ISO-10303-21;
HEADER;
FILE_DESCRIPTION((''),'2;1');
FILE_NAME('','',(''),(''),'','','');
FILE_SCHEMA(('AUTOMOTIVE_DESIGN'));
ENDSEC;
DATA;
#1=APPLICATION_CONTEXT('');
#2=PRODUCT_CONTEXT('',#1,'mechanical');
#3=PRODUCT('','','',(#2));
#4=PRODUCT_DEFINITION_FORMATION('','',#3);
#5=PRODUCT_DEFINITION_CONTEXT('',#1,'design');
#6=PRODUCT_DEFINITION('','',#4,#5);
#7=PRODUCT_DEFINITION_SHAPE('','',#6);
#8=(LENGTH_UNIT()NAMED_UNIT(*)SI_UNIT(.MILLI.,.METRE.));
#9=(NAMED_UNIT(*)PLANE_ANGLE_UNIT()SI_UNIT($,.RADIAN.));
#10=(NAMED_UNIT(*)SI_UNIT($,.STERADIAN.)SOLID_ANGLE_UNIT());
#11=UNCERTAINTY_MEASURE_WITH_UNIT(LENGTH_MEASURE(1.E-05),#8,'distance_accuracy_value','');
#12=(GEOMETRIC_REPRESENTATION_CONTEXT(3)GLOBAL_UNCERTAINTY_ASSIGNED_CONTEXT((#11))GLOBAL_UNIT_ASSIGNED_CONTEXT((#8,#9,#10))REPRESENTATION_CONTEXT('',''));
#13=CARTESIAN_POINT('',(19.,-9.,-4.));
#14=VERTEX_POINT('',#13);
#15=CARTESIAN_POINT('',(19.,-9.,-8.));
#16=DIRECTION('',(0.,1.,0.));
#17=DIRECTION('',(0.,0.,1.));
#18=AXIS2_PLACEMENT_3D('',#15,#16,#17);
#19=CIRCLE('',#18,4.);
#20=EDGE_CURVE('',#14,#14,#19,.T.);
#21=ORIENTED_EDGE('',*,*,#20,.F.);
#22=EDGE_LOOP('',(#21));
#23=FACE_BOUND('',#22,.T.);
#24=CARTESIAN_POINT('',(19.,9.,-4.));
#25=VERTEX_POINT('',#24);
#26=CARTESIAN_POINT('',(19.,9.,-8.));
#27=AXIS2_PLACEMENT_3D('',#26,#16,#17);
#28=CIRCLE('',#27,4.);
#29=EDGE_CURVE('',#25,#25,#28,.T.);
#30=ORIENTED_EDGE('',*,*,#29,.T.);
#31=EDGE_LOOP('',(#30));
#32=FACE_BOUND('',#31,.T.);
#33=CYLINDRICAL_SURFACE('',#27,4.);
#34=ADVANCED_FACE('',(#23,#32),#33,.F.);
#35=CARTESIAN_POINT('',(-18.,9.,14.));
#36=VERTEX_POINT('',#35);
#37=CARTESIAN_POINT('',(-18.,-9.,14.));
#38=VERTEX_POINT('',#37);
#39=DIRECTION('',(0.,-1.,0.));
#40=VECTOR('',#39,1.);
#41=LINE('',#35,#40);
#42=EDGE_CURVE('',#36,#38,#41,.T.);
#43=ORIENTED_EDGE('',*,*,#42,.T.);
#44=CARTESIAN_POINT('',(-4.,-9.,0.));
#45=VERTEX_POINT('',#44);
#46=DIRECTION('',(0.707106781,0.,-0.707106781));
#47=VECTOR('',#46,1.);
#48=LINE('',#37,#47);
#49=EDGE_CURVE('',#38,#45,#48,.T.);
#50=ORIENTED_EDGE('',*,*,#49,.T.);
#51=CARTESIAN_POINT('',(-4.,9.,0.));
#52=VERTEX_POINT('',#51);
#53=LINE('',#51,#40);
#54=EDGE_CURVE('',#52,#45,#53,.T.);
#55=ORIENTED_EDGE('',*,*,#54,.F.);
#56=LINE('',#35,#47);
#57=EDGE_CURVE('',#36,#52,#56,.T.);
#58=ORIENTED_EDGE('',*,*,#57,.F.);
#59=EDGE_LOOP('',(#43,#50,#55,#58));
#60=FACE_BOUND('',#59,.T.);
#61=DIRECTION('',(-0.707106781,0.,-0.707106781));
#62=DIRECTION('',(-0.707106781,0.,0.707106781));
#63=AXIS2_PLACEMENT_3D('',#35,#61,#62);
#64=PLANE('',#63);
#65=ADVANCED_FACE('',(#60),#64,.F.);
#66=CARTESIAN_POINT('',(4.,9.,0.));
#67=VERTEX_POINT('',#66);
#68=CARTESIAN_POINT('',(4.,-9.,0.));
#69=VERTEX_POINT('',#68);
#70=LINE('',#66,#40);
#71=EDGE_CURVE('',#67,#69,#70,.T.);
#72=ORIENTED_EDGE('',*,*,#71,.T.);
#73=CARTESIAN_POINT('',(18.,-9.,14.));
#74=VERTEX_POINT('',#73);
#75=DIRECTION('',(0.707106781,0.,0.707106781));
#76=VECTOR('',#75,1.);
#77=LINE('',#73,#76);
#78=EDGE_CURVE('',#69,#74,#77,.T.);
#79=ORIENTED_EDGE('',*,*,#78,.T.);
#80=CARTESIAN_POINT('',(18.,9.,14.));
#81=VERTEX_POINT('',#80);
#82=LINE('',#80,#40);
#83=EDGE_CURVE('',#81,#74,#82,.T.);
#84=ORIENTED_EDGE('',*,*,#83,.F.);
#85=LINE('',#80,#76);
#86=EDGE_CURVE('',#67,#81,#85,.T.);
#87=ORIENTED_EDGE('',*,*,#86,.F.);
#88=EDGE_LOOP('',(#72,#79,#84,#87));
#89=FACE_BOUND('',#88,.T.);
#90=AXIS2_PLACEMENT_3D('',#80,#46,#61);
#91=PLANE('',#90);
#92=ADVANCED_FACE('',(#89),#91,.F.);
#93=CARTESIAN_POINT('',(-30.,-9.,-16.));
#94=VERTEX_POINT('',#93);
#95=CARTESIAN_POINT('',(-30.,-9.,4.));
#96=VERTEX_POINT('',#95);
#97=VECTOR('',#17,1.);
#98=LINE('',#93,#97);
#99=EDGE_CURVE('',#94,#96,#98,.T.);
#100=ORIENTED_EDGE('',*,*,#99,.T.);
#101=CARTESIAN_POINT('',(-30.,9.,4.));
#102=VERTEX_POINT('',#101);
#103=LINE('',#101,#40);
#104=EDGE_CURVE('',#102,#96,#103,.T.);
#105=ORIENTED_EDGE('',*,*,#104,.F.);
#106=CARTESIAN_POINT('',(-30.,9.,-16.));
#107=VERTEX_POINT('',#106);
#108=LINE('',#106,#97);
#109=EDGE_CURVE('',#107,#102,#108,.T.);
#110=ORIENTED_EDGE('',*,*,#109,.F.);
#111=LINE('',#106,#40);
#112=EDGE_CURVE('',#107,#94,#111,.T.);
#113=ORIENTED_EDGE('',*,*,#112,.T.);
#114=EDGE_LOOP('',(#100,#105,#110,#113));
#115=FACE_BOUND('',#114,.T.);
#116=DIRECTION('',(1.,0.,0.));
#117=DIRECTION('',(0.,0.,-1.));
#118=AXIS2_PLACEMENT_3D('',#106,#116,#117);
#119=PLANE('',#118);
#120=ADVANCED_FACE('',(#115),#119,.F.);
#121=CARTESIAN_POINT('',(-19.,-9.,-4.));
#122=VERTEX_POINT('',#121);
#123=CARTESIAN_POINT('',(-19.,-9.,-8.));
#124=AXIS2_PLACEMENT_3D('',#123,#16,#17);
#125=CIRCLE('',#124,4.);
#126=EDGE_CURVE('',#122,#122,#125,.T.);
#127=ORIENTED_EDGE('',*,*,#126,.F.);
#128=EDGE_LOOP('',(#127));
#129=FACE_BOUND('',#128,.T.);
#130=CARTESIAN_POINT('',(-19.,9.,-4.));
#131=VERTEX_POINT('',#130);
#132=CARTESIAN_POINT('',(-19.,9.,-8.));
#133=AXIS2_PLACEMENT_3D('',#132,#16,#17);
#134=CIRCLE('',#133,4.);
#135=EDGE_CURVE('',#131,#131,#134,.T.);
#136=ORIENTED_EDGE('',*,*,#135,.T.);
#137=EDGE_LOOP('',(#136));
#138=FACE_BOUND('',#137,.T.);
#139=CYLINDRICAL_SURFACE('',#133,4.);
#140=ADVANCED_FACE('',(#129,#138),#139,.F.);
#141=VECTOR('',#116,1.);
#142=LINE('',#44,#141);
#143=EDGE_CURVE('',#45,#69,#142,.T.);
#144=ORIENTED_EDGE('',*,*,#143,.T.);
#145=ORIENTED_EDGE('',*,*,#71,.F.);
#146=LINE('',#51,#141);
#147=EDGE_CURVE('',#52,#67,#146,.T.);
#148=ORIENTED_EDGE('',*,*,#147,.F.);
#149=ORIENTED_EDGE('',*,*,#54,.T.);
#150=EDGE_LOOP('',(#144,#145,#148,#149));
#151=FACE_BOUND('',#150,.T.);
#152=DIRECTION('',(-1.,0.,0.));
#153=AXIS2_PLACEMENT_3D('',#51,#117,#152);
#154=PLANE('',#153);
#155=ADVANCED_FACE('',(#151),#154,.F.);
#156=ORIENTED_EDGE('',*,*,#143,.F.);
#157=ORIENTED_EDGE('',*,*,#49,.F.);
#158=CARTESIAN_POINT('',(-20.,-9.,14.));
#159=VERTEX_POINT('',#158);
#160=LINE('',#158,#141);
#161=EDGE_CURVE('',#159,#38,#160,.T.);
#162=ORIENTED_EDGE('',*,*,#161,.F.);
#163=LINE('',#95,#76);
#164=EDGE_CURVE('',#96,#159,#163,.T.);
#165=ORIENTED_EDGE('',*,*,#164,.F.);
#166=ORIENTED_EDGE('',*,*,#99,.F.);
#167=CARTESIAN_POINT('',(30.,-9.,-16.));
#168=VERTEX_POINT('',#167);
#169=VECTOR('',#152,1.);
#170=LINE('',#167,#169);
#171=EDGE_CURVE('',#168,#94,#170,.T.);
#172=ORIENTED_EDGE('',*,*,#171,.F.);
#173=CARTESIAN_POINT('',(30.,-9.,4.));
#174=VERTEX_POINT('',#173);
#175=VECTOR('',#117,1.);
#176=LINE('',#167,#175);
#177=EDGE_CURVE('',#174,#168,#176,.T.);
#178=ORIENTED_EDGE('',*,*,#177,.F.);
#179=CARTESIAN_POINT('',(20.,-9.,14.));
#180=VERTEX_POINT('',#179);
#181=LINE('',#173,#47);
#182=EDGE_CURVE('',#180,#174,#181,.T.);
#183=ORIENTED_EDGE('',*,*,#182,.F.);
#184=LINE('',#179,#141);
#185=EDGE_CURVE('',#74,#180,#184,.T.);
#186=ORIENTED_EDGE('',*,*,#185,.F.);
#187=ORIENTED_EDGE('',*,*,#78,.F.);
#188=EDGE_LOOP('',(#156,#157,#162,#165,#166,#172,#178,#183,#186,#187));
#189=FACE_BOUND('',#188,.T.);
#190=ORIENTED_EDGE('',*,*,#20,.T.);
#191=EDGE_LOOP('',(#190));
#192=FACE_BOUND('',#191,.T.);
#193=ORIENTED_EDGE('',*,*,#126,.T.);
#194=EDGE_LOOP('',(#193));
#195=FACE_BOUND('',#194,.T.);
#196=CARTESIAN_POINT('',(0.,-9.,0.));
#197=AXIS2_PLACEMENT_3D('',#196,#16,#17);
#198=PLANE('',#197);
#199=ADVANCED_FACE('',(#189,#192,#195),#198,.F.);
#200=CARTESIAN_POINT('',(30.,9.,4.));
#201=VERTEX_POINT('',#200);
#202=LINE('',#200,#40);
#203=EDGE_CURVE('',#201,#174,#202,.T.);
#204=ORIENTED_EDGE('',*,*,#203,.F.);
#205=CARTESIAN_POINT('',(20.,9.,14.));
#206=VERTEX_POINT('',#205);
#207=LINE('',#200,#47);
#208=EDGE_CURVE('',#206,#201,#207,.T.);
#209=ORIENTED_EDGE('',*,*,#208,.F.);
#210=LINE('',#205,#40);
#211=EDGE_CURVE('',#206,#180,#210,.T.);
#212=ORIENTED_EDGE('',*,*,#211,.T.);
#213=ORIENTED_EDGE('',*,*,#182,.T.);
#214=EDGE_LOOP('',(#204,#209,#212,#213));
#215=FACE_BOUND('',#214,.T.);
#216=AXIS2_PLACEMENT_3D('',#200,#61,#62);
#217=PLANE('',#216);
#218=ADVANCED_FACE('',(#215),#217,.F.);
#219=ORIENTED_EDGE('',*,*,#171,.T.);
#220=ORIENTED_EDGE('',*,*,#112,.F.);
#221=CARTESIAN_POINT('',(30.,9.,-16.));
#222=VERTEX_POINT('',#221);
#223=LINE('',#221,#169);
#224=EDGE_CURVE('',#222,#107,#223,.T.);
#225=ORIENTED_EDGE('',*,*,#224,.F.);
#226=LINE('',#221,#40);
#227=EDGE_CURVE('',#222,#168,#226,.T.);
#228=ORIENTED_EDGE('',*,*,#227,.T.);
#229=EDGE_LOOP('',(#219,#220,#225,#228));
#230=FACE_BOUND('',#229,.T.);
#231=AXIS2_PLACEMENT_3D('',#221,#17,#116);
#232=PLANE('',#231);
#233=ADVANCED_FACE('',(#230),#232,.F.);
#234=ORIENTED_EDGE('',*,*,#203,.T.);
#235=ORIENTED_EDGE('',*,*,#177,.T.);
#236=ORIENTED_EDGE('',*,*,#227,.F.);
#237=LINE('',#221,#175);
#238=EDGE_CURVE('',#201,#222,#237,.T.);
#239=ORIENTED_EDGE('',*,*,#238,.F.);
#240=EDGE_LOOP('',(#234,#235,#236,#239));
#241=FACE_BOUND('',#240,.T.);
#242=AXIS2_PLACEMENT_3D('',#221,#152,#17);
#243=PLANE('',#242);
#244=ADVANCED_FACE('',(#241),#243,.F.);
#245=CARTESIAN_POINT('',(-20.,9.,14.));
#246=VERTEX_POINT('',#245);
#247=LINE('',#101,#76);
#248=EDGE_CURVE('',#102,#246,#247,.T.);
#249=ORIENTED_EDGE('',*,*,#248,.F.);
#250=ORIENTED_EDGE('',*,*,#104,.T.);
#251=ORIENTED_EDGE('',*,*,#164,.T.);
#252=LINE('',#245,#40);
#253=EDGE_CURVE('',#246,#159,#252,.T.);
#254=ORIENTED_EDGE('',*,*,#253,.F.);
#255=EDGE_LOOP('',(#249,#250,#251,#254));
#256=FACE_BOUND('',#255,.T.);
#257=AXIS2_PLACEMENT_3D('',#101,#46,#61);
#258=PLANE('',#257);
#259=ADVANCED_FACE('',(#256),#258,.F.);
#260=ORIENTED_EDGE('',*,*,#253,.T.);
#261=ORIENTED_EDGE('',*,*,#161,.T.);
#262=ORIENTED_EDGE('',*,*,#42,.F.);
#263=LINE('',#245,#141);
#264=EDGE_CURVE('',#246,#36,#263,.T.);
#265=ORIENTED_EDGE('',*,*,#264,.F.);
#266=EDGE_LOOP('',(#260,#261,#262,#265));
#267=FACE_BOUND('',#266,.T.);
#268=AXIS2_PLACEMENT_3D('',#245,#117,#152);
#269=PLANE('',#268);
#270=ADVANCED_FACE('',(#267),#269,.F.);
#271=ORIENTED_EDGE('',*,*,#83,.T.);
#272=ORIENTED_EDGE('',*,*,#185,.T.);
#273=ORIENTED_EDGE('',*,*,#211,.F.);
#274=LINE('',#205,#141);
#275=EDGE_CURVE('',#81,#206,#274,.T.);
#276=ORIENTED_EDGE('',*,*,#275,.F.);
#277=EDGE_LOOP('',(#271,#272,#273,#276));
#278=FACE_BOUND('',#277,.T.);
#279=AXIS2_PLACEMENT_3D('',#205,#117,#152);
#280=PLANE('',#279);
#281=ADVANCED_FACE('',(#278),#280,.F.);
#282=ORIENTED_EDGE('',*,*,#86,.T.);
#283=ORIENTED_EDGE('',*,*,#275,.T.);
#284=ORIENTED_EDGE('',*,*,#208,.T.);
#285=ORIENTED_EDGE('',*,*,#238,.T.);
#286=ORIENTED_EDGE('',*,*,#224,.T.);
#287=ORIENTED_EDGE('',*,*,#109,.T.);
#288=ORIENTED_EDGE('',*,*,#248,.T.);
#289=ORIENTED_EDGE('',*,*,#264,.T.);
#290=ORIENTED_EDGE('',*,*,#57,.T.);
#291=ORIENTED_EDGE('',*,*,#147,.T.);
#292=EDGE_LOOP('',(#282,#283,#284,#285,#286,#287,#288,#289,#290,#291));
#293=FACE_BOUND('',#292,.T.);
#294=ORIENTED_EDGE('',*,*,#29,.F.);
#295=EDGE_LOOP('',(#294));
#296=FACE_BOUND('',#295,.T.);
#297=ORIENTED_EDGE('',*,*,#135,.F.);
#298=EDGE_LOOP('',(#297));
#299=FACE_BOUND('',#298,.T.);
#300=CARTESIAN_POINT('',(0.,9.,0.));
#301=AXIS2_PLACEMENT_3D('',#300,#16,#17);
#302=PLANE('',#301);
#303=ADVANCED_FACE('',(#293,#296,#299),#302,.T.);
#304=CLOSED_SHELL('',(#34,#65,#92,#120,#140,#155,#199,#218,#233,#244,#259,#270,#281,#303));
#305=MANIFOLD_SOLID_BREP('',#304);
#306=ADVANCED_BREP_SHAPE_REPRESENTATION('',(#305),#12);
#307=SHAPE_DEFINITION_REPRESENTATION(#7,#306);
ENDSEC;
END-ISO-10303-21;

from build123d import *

# Parameters (mm, degrees)
ESTRUSIONE_ESTRUSIONE1_DEPTH = 9
FORO_8_0_8_1_D               = 8


with BuildPart() as part:
    # Schizzo1 → Estrusione-Estrusione1 (new, symmetric)
    with BuildSketch(Plane(origin=(0, 0, 0), x_dir=(1, 0, 0), z_dir=(0, 1, 0))):
        Polygon((30, 16), (-30, 16), (-30, -4), (-20, -14), (-18, -14), (-4, 0), (4, 0), (18, -14), (20, -14), (30, -4), align=None)
    extrude(amount=ESTRUSIONE_ESTRUSIONE1_DEPTH, both=True)

    # Foro Ø8.0 (8)-1 (through all)
    with Locations(Plane(origin=(0, 9, 0), x_dir=(1, 0, 0), z_dir=(0, 1, 0))):
        with Locations((19, 8), (-19, 8)):
            Hole(FORO_8_0_8_1_D / 2)


solid = part.part
